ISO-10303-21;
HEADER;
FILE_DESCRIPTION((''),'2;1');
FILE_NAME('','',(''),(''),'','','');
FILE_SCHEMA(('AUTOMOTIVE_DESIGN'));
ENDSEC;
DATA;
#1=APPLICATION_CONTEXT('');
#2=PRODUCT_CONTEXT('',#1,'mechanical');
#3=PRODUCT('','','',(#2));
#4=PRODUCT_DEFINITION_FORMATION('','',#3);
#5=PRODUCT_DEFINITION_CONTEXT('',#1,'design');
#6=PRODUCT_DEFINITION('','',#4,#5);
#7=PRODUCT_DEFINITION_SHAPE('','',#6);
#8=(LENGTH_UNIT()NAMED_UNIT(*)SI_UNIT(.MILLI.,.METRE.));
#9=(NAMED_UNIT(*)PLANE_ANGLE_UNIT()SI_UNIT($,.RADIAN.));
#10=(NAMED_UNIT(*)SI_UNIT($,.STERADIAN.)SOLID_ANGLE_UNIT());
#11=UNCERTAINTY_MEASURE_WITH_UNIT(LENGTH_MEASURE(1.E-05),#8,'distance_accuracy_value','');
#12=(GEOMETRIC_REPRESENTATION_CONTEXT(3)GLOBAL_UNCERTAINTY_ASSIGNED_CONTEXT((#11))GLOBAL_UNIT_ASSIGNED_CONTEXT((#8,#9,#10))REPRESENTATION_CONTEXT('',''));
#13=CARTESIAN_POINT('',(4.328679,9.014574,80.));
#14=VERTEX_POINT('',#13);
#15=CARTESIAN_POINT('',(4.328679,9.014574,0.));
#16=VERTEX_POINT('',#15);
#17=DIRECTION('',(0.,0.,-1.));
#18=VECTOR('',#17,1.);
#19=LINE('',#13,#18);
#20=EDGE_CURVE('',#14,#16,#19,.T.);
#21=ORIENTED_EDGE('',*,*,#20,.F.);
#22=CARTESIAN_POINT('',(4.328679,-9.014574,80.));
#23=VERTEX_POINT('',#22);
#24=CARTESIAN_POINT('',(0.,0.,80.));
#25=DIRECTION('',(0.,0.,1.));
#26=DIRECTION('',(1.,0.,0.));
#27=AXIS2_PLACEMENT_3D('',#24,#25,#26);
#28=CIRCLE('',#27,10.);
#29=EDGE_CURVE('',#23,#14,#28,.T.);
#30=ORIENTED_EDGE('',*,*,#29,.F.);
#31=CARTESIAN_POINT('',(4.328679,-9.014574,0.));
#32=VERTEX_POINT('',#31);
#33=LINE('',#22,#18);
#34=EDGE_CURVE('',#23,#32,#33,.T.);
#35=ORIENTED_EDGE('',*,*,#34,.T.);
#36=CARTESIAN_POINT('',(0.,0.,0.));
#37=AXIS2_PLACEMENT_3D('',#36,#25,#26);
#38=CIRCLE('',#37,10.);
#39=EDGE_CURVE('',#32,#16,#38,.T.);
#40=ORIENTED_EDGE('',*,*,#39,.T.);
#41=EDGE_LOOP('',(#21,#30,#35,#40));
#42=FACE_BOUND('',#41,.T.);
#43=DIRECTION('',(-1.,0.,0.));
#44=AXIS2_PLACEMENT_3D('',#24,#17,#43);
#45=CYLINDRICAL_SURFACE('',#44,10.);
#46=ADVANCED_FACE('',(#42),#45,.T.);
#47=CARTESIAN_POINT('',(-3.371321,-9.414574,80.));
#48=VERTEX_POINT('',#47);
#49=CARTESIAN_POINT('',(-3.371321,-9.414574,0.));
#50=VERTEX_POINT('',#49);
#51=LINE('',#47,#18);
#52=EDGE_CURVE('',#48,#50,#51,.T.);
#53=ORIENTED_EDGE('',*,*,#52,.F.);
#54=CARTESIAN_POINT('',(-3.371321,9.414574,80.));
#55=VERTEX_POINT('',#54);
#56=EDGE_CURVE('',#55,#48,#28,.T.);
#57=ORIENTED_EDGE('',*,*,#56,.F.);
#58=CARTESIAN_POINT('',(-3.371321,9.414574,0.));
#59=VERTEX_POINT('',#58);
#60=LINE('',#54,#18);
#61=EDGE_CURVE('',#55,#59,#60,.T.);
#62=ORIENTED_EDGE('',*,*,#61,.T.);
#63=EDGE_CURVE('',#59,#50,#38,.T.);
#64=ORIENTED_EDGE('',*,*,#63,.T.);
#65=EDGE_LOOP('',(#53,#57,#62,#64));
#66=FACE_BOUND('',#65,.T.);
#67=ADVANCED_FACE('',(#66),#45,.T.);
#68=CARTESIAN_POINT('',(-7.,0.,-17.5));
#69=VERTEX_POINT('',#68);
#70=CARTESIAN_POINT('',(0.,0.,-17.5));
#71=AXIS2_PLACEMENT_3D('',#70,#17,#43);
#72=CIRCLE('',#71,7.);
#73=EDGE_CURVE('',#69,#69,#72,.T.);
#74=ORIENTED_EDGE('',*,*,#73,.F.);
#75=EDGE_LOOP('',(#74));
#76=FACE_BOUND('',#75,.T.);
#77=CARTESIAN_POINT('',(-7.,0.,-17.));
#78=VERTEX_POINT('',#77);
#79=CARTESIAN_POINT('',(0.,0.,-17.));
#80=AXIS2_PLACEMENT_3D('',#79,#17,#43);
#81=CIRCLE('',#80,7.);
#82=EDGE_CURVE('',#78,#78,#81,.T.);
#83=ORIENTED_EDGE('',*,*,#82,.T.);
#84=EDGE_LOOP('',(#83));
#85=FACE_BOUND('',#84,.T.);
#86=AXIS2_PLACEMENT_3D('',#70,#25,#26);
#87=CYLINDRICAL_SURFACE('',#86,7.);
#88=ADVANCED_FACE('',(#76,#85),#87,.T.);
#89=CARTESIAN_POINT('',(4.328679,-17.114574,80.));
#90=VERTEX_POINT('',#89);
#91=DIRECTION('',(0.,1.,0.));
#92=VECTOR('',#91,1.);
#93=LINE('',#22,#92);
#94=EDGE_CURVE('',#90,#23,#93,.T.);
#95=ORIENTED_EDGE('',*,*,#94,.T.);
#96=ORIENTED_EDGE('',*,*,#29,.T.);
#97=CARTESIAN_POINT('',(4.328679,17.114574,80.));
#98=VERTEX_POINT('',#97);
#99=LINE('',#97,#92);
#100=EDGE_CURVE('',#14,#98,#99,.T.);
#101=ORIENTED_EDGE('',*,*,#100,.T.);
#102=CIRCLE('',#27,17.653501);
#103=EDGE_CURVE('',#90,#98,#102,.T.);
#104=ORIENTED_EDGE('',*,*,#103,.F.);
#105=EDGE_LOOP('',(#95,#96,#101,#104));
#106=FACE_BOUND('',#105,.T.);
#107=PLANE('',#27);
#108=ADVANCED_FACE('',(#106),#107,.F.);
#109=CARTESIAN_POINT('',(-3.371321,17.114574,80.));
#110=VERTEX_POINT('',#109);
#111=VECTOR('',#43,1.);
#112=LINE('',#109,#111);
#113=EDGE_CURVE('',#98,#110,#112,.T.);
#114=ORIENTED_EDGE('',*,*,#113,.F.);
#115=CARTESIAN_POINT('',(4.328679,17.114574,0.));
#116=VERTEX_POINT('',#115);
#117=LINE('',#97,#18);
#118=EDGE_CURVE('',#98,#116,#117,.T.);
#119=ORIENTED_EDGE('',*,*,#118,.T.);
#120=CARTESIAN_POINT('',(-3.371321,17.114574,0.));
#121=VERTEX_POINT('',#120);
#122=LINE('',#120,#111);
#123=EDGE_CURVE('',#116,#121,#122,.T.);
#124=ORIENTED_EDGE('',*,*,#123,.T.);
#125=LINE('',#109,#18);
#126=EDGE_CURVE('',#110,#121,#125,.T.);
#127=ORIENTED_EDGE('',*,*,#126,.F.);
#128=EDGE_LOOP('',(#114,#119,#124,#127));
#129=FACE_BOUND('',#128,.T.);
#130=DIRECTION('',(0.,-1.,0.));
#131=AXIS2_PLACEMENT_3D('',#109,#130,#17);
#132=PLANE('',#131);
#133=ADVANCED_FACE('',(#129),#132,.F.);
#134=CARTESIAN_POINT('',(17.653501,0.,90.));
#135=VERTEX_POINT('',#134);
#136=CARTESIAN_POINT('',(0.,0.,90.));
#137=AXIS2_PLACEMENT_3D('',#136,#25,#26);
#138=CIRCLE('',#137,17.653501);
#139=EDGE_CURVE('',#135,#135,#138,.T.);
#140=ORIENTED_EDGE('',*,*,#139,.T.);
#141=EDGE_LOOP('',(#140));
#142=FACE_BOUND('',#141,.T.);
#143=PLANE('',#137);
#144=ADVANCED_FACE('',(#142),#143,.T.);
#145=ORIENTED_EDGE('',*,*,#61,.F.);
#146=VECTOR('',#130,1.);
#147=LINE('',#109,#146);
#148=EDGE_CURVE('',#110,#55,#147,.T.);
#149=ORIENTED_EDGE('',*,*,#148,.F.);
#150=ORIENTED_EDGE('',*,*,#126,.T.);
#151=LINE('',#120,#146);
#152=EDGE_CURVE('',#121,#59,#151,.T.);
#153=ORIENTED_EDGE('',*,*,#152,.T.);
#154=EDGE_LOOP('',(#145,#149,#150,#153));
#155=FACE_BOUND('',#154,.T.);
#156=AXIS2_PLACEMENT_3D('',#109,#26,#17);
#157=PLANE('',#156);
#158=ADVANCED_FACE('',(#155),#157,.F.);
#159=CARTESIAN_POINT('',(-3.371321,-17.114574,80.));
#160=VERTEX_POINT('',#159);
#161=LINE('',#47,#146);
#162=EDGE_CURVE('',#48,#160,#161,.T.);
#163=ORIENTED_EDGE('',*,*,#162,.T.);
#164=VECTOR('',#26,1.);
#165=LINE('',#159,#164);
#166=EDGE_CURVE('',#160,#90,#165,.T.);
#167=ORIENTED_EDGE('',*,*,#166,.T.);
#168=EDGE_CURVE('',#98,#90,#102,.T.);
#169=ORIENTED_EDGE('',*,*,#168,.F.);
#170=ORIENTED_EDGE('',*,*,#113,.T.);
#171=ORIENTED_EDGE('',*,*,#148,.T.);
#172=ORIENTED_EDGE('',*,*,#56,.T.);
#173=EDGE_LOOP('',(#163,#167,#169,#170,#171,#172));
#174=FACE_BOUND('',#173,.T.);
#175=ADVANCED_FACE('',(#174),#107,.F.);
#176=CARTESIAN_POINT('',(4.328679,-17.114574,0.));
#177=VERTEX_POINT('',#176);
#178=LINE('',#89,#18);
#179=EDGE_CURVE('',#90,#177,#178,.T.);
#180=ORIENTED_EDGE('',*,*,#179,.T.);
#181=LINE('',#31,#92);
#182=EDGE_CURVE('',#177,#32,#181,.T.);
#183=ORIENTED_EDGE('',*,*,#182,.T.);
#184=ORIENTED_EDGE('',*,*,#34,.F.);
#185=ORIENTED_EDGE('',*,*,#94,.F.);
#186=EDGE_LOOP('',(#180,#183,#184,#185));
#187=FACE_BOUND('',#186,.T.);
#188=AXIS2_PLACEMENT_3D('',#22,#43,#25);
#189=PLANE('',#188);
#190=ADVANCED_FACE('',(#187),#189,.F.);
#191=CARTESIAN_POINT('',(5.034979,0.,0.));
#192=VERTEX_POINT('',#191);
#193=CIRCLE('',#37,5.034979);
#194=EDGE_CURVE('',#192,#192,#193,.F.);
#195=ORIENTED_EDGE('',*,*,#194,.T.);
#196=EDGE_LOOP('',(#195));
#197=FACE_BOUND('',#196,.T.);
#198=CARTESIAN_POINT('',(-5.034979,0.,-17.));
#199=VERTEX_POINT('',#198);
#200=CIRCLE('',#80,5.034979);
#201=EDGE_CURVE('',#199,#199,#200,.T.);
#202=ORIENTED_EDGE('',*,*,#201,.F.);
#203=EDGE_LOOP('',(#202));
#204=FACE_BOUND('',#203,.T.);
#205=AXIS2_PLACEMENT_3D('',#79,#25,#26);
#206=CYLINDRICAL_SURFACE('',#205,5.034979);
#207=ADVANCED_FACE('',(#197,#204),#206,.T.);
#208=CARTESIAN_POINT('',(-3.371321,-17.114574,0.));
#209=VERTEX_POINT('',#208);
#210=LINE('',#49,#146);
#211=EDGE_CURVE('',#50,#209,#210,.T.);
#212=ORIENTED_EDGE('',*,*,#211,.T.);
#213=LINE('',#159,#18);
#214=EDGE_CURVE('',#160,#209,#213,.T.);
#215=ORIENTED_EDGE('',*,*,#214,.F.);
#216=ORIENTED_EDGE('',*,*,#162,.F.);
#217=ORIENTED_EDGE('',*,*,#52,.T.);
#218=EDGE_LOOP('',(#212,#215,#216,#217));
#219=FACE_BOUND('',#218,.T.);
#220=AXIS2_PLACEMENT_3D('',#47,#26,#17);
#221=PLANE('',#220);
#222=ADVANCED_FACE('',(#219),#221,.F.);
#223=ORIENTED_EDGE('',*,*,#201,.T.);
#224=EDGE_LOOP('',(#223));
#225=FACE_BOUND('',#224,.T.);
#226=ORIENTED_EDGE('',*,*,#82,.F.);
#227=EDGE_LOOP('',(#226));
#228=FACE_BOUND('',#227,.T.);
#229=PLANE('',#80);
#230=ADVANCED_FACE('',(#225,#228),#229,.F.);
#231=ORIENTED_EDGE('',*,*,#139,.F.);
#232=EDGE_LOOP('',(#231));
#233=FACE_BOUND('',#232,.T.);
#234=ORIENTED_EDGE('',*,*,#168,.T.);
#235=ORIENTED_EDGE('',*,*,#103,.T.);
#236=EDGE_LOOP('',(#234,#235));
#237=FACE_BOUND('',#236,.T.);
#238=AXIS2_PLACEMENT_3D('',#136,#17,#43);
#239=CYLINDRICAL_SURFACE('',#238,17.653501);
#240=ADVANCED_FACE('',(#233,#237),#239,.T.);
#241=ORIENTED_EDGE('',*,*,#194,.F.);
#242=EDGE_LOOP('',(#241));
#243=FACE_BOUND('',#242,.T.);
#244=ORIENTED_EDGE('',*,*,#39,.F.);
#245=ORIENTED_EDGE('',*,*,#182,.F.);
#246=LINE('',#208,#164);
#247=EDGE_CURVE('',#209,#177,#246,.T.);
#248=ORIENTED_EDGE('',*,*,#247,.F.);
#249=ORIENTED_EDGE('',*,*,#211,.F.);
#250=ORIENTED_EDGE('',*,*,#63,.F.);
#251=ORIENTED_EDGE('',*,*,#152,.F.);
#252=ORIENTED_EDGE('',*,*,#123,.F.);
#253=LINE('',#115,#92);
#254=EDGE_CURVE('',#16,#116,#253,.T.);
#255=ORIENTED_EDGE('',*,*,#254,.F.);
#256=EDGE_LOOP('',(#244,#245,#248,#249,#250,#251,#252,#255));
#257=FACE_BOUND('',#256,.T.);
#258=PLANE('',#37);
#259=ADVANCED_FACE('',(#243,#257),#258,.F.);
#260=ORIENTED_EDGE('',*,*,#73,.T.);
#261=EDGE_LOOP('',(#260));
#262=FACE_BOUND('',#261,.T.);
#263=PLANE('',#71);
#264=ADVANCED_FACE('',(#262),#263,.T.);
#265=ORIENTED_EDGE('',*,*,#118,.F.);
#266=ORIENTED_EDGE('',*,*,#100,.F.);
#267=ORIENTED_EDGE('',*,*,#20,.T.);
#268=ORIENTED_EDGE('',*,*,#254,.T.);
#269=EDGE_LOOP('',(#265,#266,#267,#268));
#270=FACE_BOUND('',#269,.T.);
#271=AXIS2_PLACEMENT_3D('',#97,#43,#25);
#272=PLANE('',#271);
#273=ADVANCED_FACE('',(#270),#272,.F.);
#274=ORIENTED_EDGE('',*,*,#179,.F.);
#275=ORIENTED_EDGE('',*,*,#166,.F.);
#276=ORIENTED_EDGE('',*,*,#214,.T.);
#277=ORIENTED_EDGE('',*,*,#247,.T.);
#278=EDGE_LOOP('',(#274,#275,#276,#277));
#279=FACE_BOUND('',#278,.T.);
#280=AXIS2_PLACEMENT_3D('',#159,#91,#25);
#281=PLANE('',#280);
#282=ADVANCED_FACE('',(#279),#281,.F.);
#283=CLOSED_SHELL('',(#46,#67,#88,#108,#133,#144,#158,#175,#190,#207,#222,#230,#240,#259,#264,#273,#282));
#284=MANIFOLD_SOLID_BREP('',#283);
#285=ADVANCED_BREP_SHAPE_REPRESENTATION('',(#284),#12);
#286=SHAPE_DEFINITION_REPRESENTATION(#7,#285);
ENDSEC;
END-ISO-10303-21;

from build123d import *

# Parameters (mm, degrees)
BOSS_EXTRUDE1_DEPTH = 80
SKETCH4_R           = 17.653500843
BOSS_EXTRUDE2_DEPTH = 10
SKETCH5_R           = 5.034978738
BOSS_EXTRUDE3_DEPTH = 17
SKETCH9_R           = 7
BOSS_EXTRUDE6_DEPTH = 0.5


with BuildPart() as part:
    # Sketch3 → Boss-Extrude1 (new body)
    with BuildSketch(Plane.XY):
        with BuildLine():
            Line((-3.371320853, -9.414573581), (-3.371320853, -17.114573581))
            Line((-3.371320853, -17.114573581), (4.328679147, -17.114573581))
            Line((4.328679147, -17.114573581), (4.328679147, -9.014573581))
            ThreePointArc((4.328679147, -9.014573581), (10, 0), (4.328679147, 9.014573581))
            Line((4.328679147, 9.014573581), (4.328679147, 17.114573581))
            Line((4.328679147, 17.114573581), (-3.371320853, 17.114573581))
            Line((-3.371320853, 17.114573581), (-3.371320853, 9.414573581))
            ThreePointArc((-3.371320853, 9.414573581), (-10, 0), (-3.371320853, -9.414573581))
        make_face()
    extrude(amount=BOSS_EXTRUDE1_DEPTH)

    # Sketch4 → Boss-Extrude2 (add)
    with BuildSketch(Plane.XY.offset(80)):
        with Locations(Location((0, 0, 0), (0, 0, 284.1937898))):
            Circle(SKETCH4_R)
    extrude(amount=BOSS_EXTRUDE2_DEPTH)

    # Sketch5 → Boss-Extrude3 (add)
    with BuildSketch(Plane(origin=(0, 0, 0), x_dir=(-1, 0, 0), z_dir=(0, 0, -1))):
        with Locations(Location((0, 0, 0), (0, 0, 180))):
            Circle(SKETCH5_R)
    extrude(amount=BOSS_EXTRUDE3_DEPTH)

    # Sketch9 → Boss-Extrude6 (add)
    with BuildSketch(Plane(origin=(0, 0, -17), x_dir=(-1, 0, 0), z_dir=(0, 0, -1))):
        Circle(SKETCH9_R)
    extrude(amount=BOSS_EXTRUDE6_DEPTH)


solid = part.part
